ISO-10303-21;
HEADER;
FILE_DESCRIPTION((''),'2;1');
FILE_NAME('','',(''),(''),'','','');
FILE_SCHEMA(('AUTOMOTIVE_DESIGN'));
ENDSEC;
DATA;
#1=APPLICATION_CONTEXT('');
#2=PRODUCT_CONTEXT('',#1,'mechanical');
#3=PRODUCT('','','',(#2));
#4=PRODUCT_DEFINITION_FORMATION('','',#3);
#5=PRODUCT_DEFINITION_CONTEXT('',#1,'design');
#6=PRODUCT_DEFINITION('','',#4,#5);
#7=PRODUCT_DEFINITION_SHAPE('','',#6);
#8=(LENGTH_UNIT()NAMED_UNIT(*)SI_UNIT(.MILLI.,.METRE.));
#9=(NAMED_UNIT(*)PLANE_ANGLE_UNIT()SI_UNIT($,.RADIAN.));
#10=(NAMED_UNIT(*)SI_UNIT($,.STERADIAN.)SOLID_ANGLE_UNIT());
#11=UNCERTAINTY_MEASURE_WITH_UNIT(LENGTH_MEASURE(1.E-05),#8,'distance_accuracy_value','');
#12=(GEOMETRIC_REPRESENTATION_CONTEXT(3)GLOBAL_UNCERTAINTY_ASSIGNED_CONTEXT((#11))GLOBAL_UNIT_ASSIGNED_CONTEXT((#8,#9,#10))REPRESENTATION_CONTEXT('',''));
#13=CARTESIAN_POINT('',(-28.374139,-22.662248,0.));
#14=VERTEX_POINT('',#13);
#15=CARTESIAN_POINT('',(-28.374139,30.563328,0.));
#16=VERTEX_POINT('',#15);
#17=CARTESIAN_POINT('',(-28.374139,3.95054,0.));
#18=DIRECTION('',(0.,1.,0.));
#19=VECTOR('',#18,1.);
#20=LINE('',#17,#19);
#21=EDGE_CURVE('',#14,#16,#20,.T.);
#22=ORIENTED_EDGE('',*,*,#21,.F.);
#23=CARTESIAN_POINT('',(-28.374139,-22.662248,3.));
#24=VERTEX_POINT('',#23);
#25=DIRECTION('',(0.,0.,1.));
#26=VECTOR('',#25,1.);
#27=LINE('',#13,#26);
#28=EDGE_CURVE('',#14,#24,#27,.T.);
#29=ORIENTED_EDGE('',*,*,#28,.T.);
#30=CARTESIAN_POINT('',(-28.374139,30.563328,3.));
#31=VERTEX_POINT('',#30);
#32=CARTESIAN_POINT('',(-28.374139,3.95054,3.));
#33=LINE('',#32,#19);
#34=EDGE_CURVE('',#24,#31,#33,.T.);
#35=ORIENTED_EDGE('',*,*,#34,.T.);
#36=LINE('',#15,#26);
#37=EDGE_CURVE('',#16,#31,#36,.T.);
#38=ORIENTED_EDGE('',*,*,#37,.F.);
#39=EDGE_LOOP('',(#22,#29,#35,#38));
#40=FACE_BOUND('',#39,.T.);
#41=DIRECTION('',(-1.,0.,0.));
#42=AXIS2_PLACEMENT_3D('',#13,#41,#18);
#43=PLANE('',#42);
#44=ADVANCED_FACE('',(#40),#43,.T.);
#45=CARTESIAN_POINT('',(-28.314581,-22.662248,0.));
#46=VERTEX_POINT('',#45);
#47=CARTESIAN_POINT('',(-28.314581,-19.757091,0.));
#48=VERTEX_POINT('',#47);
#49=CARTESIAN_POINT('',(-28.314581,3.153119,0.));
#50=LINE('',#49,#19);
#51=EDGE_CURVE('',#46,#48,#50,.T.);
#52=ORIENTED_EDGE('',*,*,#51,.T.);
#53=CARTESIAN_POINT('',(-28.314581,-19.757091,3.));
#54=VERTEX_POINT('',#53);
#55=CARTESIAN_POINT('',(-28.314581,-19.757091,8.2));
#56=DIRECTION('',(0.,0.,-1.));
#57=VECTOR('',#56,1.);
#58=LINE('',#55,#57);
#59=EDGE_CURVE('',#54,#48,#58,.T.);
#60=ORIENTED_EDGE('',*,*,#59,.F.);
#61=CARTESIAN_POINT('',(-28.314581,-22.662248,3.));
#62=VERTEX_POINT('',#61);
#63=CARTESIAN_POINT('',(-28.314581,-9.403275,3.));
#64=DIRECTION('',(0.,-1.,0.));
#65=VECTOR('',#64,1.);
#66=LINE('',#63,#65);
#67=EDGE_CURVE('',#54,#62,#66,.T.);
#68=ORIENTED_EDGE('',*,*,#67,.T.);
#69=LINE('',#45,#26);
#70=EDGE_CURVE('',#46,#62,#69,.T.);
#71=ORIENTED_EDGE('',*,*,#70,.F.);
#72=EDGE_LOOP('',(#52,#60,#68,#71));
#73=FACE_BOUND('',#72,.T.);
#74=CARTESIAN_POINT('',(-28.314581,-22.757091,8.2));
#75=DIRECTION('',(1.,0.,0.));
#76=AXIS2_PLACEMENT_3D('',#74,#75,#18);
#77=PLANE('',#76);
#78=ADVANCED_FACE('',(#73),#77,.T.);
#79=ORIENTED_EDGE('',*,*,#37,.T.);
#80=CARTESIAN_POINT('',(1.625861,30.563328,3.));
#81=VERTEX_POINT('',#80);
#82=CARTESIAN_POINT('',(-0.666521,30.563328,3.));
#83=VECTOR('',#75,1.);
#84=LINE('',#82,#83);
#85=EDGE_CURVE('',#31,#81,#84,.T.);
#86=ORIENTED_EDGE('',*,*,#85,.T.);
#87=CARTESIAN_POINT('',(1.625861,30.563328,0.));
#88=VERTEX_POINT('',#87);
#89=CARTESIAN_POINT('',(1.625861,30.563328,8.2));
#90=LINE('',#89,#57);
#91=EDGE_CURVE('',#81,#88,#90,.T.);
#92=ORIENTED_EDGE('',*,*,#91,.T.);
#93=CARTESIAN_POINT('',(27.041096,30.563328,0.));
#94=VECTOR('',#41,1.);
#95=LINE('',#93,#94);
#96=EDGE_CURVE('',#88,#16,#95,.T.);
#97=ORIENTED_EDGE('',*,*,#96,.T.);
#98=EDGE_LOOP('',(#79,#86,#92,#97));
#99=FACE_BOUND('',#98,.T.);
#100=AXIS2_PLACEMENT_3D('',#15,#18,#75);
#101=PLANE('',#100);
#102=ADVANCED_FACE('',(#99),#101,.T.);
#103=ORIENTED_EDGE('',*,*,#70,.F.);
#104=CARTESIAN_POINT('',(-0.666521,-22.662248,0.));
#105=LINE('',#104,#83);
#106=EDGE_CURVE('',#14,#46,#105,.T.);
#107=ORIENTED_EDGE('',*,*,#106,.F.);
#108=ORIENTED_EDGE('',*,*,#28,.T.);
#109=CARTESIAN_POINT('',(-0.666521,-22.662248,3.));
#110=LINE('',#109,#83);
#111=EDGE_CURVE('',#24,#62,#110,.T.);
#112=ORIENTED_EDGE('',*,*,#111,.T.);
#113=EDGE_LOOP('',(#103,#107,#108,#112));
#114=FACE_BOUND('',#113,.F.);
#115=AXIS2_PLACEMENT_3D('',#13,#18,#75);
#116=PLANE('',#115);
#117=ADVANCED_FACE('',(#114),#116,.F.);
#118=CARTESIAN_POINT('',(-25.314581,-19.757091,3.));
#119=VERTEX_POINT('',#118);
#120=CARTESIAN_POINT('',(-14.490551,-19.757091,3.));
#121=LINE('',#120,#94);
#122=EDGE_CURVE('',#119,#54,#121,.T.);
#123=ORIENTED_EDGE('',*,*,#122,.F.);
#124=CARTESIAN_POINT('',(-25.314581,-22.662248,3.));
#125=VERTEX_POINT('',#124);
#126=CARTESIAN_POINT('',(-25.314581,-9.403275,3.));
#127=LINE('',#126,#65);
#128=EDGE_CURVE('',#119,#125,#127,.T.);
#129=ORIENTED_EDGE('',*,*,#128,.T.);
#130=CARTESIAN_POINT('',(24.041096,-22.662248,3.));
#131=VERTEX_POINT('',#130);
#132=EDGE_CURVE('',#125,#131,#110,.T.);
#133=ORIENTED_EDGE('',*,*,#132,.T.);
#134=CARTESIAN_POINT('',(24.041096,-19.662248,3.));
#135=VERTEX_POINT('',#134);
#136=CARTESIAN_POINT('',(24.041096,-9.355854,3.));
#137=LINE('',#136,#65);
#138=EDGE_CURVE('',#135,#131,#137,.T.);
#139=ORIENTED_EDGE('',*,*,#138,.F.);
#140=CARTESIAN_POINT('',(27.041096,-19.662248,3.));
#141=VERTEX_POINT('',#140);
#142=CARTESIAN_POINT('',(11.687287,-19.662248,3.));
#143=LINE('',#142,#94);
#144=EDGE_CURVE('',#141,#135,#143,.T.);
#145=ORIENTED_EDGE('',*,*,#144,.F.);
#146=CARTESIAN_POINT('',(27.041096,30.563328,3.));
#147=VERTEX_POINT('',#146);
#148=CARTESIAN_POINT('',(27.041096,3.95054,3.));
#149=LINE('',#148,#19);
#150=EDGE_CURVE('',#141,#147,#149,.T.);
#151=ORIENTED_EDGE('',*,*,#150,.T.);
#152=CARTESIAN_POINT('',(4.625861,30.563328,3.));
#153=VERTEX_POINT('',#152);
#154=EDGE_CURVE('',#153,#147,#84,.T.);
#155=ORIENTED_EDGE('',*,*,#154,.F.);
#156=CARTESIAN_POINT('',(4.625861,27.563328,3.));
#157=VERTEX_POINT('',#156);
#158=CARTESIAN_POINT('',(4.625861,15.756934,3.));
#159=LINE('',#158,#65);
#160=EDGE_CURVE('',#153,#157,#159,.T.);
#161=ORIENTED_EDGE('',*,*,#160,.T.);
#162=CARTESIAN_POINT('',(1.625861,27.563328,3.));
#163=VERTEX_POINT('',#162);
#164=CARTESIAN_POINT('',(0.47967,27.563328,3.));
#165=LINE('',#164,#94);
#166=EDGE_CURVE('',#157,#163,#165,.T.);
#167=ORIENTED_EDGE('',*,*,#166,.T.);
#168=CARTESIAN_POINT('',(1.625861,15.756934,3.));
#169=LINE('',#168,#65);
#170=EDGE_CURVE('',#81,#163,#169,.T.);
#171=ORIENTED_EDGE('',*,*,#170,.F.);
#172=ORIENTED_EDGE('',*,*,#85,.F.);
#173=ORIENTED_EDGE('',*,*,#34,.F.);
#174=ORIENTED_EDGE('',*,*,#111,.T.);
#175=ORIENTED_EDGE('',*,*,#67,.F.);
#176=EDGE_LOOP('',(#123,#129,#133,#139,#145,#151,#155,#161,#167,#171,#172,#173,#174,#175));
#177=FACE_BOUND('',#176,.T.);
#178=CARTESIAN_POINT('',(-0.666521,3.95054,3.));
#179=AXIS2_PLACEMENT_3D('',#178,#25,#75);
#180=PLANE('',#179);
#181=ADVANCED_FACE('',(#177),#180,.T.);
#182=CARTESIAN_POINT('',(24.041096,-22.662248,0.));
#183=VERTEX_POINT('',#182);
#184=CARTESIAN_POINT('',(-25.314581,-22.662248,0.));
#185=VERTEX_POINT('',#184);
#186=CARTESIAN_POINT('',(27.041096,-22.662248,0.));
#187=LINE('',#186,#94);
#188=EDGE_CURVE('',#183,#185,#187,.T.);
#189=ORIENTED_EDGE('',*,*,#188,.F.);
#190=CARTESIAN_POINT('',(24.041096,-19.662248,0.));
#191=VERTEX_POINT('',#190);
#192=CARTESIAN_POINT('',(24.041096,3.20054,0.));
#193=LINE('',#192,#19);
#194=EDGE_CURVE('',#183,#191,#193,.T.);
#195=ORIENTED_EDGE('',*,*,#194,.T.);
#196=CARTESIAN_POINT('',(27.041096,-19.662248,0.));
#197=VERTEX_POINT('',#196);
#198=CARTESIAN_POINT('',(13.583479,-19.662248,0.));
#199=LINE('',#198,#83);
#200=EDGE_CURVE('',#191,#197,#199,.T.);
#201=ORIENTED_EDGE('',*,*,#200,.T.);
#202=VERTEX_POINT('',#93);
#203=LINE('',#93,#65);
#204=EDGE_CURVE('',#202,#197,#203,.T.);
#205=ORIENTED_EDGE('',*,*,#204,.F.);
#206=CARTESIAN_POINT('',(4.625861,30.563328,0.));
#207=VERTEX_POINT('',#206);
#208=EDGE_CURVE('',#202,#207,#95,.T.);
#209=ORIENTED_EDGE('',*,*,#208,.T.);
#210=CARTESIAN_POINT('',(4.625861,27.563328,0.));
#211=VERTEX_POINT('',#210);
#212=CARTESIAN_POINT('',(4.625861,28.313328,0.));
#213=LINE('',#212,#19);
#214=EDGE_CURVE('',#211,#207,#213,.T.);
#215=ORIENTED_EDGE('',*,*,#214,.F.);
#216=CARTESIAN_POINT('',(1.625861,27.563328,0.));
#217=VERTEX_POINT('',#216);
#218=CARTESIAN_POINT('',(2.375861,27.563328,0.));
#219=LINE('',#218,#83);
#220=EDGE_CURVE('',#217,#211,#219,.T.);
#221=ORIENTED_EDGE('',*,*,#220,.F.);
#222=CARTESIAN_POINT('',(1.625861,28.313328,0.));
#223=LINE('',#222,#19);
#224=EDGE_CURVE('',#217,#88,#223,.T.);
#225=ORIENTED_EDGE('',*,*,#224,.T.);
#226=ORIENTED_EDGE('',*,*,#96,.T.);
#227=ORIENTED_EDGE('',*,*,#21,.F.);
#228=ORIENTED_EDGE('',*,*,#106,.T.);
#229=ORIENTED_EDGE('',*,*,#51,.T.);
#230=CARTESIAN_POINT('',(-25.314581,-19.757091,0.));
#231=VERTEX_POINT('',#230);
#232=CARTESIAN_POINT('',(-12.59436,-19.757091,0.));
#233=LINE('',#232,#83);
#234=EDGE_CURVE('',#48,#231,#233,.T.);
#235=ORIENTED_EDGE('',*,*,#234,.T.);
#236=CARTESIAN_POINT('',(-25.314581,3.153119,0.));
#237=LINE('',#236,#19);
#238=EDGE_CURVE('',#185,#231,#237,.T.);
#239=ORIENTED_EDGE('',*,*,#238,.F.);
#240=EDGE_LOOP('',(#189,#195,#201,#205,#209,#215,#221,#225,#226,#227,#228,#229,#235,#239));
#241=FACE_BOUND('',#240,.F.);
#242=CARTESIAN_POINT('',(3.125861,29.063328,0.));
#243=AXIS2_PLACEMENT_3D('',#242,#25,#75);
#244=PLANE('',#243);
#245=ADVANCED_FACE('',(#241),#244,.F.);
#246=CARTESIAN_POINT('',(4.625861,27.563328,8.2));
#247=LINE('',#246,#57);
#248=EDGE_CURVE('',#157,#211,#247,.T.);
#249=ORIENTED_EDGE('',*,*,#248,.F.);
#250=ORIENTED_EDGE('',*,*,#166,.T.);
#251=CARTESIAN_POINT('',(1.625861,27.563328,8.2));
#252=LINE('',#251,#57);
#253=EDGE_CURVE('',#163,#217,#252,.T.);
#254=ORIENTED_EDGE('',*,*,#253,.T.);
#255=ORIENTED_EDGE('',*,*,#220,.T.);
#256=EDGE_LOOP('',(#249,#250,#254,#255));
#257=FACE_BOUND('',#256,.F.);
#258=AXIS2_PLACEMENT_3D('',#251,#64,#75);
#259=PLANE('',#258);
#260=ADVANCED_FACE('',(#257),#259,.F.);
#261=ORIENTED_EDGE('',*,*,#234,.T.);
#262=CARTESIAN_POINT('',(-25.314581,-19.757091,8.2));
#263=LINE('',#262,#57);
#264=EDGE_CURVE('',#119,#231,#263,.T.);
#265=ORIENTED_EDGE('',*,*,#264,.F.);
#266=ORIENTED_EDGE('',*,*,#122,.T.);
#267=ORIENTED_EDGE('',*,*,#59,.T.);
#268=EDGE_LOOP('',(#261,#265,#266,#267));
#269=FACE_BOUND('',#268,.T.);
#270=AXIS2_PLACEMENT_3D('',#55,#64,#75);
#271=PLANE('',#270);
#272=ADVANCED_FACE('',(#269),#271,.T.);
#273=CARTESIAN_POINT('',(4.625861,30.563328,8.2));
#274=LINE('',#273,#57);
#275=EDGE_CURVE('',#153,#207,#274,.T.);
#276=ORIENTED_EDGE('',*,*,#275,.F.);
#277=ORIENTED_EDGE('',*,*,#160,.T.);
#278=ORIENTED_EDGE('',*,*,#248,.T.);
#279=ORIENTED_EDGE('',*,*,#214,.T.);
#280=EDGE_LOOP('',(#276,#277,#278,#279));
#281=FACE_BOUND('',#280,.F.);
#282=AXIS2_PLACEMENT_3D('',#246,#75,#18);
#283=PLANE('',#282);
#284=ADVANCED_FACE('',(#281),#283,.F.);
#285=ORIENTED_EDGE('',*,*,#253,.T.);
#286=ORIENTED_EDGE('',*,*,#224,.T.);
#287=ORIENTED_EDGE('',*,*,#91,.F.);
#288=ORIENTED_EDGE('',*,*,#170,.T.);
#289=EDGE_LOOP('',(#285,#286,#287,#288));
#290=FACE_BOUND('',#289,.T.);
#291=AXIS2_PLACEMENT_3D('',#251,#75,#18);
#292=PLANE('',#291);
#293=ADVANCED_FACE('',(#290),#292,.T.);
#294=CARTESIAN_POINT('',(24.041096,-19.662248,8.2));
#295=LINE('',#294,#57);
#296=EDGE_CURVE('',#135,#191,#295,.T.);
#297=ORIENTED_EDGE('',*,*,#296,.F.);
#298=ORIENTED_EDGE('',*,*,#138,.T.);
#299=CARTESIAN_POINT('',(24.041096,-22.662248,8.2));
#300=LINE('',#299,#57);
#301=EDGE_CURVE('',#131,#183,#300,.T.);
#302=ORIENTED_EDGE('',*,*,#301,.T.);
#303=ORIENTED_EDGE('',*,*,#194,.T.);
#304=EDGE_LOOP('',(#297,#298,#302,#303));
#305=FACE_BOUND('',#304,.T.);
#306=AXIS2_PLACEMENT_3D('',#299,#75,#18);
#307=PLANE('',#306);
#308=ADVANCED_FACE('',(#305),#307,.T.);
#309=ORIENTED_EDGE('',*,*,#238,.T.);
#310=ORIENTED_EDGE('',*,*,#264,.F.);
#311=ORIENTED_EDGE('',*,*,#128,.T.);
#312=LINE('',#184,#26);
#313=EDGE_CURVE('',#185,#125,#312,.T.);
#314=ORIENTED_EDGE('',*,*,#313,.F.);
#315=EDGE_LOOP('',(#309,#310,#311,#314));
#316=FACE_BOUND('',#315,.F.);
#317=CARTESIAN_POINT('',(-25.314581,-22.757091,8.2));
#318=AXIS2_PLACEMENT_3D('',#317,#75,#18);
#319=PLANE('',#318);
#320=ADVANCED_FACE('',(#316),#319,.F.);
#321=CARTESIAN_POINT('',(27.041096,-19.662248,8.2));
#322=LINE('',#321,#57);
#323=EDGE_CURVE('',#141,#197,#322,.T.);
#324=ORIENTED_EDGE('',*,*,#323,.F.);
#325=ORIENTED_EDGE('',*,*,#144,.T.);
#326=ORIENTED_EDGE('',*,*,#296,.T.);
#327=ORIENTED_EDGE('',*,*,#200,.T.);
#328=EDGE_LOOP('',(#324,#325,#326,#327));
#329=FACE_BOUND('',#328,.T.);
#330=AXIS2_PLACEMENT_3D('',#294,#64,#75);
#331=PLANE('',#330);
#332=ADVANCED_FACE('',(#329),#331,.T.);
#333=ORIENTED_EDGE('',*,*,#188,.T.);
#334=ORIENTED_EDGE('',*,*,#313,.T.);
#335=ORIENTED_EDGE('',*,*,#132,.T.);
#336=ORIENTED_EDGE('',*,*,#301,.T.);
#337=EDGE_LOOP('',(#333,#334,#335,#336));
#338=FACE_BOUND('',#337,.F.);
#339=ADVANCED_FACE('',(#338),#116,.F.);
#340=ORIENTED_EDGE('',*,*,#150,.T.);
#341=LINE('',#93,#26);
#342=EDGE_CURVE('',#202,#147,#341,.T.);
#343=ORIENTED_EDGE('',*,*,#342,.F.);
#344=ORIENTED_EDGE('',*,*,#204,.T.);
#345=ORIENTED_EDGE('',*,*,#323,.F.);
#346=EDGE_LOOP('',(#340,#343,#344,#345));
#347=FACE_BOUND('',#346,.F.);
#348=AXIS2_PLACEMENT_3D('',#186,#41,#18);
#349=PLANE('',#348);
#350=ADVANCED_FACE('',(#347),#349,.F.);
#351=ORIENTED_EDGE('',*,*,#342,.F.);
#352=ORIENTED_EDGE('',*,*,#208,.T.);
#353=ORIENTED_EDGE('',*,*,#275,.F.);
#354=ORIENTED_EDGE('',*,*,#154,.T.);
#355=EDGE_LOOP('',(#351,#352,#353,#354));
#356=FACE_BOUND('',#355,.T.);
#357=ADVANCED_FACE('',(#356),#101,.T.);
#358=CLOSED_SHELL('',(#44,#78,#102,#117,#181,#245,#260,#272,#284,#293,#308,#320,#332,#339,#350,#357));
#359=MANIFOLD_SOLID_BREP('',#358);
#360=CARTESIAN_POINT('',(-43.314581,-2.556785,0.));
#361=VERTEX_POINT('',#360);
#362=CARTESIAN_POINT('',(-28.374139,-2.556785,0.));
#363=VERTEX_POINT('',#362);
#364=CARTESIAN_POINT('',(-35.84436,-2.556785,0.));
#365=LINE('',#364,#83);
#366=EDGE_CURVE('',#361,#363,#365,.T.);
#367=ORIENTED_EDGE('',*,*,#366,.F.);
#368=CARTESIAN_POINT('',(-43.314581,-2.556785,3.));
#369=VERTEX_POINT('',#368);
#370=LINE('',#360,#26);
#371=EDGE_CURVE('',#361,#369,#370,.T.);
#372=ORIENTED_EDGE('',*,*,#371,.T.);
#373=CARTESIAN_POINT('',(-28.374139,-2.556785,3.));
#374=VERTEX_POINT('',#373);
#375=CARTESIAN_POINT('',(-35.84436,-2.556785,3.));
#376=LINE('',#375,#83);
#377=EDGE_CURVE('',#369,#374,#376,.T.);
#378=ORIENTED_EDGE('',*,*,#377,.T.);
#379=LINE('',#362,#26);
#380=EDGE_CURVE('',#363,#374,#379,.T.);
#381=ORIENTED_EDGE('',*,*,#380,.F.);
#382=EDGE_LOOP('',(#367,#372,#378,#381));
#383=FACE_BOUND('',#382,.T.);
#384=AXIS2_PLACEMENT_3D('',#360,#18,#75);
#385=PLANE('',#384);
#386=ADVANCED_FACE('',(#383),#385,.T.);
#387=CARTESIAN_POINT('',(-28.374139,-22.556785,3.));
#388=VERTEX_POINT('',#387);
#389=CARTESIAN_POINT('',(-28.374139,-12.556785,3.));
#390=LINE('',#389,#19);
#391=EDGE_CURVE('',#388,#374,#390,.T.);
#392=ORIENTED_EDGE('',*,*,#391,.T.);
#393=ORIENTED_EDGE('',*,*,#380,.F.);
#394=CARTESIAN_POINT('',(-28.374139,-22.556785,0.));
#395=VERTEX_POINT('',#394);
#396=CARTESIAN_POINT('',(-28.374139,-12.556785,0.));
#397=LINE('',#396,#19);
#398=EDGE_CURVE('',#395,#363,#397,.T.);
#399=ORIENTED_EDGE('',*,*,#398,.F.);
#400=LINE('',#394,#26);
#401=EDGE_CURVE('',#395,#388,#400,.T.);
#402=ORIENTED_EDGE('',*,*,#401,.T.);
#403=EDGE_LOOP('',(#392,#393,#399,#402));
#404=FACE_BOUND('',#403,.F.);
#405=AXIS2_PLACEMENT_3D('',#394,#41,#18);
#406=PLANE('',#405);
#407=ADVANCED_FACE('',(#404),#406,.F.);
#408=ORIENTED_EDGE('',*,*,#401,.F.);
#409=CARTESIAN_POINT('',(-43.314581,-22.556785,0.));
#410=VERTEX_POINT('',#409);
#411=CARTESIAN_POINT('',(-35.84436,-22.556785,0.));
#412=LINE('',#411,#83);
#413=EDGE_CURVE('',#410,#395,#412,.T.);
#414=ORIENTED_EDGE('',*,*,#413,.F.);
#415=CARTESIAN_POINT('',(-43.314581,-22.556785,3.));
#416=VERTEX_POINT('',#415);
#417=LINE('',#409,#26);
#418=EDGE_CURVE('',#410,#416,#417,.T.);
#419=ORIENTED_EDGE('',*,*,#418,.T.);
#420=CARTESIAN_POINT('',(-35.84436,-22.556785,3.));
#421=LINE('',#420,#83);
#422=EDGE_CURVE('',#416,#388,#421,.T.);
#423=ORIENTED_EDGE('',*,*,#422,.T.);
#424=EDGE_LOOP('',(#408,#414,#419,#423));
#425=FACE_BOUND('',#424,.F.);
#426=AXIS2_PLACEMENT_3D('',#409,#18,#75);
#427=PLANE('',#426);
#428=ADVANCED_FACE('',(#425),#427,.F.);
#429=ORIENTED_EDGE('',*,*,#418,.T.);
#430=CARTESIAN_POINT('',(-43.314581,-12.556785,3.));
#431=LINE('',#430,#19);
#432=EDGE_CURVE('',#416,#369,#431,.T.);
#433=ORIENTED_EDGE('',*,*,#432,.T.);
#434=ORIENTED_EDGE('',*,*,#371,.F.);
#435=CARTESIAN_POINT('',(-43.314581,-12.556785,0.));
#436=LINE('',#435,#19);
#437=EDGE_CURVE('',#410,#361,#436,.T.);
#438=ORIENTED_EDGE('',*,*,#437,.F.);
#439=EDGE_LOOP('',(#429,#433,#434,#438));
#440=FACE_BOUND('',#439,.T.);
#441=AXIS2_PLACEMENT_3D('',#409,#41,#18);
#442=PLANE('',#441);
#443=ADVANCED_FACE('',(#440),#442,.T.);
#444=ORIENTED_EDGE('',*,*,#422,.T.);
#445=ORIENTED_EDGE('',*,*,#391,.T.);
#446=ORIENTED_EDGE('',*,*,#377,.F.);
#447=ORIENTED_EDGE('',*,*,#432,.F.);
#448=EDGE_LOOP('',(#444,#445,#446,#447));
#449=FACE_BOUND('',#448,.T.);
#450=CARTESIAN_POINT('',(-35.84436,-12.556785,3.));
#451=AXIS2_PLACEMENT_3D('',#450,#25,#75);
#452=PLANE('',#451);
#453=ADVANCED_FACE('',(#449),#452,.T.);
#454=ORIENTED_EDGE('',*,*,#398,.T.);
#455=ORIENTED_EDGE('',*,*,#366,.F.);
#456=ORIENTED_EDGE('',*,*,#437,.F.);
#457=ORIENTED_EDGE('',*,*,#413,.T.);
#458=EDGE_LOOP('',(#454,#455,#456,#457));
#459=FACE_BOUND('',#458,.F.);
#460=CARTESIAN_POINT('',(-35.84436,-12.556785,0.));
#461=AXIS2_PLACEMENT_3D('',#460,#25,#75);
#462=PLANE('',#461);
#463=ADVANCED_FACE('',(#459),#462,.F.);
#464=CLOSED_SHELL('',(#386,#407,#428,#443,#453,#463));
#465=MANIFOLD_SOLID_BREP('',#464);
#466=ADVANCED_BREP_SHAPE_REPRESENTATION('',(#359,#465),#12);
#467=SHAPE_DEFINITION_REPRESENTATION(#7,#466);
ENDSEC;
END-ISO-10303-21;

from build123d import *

# Parameters (mm, degrees)
F0_W      = 55.4152354598
F0_H      = 53.2255768776
F3_DEPTH  = 3
F1_W      = 14.9404419214
F1_H      = 20
F2_W      = 3
F2_H      = 3
F4_DEPTH  = 8.2
F5_DEPTH  = 11.8
F6_W      = 3
F6_H      = 3
F7_DEPTH  = 18.4
F8_DEPTH  = 18.4
F9_DEPTH  = 11.5
F10_DEPTH = 25


with BuildPart() as f3:
    # F0 (on Top) → F3 (new body)
    with BuildSketch(Plane.XY):
        with Locations((-0.6665214896, 3.9505399764)):
            Rectangle(F0_W, F0_H)
    extrude(amount=F3_DEPTH)

    # F2 (on Top) → F4 (join)
    with BuildSketch(Plane.XY):
        with Locations((3.1258607805, 29.0633284152)):
            Rectangle(F2_W, F2_H)
        with Locations((-26.8145811409, -21.2570906281)):
            Rectangle(F2_W, F2_H)
        with Locations((25.5410962403, -21.1622484624)):
            Rectangle(F2_W, F2_H)
    extrude(amount=F4_DEPTH)

    # F5 (add): a face of the model
    f5_faces = [f3.faces().sort_by_distance(p)[0] for p in [
        (3.1258607805, 29.0633284152, 8.2),
    ]]
    extrude(f5_faces, amount=-F5_DEPTH)

    # F6 (on face) → F7 (join)
    with BuildSketch(Plane.XY.offset(8.2)):
        with Locations((3.1258607805, 29.0633284152)):
            Rectangle(F6_W, F6_H)
    extrude(amount=-F7_DEPTH)

    # F8 (cut): a face of the model
    f8_faces = [f3.faces().sort_by_distance(p)[0] for p in [
        (3.1258607805, 29.0633284152, 8.2),
    ]]
    extrude(f8_faces, amount=-F8_DEPTH, mode=Mode.SUBTRACT)

    # F9 (cut): a face of the model
    f9_faces = [f3.faces().sort_by_distance(p)[0] for p in [
        (-26.8145811409, -21.2570906281, 8.2),
    ]]
    extrude(f9_faces, amount=-F9_DEPTH, mode=Mode.SUBTRACT)

    # F10 (cut): a face of the model
    f10_faces = [f3.faces().sort_by_distance(p)[0] for p in [
        (25.5410962403, -21.1622484624, 8.2),
    ]]
    extrude(f10_faces, amount=-F10_DEPTH, mode=Mode.SUBTRACT)


with BuildPart() as f3b:
    # F1 (on face) → F3, piece 2 (new body)
    with BuildSketch(Plane.XY):
        with Locations((-35.8443601802, -12.5567854941)):
            Rectangle(F1_W, F1_H)
    extrude(amount=F3_DEPTH)


solid = Compound([f3.part, f3b.part])
